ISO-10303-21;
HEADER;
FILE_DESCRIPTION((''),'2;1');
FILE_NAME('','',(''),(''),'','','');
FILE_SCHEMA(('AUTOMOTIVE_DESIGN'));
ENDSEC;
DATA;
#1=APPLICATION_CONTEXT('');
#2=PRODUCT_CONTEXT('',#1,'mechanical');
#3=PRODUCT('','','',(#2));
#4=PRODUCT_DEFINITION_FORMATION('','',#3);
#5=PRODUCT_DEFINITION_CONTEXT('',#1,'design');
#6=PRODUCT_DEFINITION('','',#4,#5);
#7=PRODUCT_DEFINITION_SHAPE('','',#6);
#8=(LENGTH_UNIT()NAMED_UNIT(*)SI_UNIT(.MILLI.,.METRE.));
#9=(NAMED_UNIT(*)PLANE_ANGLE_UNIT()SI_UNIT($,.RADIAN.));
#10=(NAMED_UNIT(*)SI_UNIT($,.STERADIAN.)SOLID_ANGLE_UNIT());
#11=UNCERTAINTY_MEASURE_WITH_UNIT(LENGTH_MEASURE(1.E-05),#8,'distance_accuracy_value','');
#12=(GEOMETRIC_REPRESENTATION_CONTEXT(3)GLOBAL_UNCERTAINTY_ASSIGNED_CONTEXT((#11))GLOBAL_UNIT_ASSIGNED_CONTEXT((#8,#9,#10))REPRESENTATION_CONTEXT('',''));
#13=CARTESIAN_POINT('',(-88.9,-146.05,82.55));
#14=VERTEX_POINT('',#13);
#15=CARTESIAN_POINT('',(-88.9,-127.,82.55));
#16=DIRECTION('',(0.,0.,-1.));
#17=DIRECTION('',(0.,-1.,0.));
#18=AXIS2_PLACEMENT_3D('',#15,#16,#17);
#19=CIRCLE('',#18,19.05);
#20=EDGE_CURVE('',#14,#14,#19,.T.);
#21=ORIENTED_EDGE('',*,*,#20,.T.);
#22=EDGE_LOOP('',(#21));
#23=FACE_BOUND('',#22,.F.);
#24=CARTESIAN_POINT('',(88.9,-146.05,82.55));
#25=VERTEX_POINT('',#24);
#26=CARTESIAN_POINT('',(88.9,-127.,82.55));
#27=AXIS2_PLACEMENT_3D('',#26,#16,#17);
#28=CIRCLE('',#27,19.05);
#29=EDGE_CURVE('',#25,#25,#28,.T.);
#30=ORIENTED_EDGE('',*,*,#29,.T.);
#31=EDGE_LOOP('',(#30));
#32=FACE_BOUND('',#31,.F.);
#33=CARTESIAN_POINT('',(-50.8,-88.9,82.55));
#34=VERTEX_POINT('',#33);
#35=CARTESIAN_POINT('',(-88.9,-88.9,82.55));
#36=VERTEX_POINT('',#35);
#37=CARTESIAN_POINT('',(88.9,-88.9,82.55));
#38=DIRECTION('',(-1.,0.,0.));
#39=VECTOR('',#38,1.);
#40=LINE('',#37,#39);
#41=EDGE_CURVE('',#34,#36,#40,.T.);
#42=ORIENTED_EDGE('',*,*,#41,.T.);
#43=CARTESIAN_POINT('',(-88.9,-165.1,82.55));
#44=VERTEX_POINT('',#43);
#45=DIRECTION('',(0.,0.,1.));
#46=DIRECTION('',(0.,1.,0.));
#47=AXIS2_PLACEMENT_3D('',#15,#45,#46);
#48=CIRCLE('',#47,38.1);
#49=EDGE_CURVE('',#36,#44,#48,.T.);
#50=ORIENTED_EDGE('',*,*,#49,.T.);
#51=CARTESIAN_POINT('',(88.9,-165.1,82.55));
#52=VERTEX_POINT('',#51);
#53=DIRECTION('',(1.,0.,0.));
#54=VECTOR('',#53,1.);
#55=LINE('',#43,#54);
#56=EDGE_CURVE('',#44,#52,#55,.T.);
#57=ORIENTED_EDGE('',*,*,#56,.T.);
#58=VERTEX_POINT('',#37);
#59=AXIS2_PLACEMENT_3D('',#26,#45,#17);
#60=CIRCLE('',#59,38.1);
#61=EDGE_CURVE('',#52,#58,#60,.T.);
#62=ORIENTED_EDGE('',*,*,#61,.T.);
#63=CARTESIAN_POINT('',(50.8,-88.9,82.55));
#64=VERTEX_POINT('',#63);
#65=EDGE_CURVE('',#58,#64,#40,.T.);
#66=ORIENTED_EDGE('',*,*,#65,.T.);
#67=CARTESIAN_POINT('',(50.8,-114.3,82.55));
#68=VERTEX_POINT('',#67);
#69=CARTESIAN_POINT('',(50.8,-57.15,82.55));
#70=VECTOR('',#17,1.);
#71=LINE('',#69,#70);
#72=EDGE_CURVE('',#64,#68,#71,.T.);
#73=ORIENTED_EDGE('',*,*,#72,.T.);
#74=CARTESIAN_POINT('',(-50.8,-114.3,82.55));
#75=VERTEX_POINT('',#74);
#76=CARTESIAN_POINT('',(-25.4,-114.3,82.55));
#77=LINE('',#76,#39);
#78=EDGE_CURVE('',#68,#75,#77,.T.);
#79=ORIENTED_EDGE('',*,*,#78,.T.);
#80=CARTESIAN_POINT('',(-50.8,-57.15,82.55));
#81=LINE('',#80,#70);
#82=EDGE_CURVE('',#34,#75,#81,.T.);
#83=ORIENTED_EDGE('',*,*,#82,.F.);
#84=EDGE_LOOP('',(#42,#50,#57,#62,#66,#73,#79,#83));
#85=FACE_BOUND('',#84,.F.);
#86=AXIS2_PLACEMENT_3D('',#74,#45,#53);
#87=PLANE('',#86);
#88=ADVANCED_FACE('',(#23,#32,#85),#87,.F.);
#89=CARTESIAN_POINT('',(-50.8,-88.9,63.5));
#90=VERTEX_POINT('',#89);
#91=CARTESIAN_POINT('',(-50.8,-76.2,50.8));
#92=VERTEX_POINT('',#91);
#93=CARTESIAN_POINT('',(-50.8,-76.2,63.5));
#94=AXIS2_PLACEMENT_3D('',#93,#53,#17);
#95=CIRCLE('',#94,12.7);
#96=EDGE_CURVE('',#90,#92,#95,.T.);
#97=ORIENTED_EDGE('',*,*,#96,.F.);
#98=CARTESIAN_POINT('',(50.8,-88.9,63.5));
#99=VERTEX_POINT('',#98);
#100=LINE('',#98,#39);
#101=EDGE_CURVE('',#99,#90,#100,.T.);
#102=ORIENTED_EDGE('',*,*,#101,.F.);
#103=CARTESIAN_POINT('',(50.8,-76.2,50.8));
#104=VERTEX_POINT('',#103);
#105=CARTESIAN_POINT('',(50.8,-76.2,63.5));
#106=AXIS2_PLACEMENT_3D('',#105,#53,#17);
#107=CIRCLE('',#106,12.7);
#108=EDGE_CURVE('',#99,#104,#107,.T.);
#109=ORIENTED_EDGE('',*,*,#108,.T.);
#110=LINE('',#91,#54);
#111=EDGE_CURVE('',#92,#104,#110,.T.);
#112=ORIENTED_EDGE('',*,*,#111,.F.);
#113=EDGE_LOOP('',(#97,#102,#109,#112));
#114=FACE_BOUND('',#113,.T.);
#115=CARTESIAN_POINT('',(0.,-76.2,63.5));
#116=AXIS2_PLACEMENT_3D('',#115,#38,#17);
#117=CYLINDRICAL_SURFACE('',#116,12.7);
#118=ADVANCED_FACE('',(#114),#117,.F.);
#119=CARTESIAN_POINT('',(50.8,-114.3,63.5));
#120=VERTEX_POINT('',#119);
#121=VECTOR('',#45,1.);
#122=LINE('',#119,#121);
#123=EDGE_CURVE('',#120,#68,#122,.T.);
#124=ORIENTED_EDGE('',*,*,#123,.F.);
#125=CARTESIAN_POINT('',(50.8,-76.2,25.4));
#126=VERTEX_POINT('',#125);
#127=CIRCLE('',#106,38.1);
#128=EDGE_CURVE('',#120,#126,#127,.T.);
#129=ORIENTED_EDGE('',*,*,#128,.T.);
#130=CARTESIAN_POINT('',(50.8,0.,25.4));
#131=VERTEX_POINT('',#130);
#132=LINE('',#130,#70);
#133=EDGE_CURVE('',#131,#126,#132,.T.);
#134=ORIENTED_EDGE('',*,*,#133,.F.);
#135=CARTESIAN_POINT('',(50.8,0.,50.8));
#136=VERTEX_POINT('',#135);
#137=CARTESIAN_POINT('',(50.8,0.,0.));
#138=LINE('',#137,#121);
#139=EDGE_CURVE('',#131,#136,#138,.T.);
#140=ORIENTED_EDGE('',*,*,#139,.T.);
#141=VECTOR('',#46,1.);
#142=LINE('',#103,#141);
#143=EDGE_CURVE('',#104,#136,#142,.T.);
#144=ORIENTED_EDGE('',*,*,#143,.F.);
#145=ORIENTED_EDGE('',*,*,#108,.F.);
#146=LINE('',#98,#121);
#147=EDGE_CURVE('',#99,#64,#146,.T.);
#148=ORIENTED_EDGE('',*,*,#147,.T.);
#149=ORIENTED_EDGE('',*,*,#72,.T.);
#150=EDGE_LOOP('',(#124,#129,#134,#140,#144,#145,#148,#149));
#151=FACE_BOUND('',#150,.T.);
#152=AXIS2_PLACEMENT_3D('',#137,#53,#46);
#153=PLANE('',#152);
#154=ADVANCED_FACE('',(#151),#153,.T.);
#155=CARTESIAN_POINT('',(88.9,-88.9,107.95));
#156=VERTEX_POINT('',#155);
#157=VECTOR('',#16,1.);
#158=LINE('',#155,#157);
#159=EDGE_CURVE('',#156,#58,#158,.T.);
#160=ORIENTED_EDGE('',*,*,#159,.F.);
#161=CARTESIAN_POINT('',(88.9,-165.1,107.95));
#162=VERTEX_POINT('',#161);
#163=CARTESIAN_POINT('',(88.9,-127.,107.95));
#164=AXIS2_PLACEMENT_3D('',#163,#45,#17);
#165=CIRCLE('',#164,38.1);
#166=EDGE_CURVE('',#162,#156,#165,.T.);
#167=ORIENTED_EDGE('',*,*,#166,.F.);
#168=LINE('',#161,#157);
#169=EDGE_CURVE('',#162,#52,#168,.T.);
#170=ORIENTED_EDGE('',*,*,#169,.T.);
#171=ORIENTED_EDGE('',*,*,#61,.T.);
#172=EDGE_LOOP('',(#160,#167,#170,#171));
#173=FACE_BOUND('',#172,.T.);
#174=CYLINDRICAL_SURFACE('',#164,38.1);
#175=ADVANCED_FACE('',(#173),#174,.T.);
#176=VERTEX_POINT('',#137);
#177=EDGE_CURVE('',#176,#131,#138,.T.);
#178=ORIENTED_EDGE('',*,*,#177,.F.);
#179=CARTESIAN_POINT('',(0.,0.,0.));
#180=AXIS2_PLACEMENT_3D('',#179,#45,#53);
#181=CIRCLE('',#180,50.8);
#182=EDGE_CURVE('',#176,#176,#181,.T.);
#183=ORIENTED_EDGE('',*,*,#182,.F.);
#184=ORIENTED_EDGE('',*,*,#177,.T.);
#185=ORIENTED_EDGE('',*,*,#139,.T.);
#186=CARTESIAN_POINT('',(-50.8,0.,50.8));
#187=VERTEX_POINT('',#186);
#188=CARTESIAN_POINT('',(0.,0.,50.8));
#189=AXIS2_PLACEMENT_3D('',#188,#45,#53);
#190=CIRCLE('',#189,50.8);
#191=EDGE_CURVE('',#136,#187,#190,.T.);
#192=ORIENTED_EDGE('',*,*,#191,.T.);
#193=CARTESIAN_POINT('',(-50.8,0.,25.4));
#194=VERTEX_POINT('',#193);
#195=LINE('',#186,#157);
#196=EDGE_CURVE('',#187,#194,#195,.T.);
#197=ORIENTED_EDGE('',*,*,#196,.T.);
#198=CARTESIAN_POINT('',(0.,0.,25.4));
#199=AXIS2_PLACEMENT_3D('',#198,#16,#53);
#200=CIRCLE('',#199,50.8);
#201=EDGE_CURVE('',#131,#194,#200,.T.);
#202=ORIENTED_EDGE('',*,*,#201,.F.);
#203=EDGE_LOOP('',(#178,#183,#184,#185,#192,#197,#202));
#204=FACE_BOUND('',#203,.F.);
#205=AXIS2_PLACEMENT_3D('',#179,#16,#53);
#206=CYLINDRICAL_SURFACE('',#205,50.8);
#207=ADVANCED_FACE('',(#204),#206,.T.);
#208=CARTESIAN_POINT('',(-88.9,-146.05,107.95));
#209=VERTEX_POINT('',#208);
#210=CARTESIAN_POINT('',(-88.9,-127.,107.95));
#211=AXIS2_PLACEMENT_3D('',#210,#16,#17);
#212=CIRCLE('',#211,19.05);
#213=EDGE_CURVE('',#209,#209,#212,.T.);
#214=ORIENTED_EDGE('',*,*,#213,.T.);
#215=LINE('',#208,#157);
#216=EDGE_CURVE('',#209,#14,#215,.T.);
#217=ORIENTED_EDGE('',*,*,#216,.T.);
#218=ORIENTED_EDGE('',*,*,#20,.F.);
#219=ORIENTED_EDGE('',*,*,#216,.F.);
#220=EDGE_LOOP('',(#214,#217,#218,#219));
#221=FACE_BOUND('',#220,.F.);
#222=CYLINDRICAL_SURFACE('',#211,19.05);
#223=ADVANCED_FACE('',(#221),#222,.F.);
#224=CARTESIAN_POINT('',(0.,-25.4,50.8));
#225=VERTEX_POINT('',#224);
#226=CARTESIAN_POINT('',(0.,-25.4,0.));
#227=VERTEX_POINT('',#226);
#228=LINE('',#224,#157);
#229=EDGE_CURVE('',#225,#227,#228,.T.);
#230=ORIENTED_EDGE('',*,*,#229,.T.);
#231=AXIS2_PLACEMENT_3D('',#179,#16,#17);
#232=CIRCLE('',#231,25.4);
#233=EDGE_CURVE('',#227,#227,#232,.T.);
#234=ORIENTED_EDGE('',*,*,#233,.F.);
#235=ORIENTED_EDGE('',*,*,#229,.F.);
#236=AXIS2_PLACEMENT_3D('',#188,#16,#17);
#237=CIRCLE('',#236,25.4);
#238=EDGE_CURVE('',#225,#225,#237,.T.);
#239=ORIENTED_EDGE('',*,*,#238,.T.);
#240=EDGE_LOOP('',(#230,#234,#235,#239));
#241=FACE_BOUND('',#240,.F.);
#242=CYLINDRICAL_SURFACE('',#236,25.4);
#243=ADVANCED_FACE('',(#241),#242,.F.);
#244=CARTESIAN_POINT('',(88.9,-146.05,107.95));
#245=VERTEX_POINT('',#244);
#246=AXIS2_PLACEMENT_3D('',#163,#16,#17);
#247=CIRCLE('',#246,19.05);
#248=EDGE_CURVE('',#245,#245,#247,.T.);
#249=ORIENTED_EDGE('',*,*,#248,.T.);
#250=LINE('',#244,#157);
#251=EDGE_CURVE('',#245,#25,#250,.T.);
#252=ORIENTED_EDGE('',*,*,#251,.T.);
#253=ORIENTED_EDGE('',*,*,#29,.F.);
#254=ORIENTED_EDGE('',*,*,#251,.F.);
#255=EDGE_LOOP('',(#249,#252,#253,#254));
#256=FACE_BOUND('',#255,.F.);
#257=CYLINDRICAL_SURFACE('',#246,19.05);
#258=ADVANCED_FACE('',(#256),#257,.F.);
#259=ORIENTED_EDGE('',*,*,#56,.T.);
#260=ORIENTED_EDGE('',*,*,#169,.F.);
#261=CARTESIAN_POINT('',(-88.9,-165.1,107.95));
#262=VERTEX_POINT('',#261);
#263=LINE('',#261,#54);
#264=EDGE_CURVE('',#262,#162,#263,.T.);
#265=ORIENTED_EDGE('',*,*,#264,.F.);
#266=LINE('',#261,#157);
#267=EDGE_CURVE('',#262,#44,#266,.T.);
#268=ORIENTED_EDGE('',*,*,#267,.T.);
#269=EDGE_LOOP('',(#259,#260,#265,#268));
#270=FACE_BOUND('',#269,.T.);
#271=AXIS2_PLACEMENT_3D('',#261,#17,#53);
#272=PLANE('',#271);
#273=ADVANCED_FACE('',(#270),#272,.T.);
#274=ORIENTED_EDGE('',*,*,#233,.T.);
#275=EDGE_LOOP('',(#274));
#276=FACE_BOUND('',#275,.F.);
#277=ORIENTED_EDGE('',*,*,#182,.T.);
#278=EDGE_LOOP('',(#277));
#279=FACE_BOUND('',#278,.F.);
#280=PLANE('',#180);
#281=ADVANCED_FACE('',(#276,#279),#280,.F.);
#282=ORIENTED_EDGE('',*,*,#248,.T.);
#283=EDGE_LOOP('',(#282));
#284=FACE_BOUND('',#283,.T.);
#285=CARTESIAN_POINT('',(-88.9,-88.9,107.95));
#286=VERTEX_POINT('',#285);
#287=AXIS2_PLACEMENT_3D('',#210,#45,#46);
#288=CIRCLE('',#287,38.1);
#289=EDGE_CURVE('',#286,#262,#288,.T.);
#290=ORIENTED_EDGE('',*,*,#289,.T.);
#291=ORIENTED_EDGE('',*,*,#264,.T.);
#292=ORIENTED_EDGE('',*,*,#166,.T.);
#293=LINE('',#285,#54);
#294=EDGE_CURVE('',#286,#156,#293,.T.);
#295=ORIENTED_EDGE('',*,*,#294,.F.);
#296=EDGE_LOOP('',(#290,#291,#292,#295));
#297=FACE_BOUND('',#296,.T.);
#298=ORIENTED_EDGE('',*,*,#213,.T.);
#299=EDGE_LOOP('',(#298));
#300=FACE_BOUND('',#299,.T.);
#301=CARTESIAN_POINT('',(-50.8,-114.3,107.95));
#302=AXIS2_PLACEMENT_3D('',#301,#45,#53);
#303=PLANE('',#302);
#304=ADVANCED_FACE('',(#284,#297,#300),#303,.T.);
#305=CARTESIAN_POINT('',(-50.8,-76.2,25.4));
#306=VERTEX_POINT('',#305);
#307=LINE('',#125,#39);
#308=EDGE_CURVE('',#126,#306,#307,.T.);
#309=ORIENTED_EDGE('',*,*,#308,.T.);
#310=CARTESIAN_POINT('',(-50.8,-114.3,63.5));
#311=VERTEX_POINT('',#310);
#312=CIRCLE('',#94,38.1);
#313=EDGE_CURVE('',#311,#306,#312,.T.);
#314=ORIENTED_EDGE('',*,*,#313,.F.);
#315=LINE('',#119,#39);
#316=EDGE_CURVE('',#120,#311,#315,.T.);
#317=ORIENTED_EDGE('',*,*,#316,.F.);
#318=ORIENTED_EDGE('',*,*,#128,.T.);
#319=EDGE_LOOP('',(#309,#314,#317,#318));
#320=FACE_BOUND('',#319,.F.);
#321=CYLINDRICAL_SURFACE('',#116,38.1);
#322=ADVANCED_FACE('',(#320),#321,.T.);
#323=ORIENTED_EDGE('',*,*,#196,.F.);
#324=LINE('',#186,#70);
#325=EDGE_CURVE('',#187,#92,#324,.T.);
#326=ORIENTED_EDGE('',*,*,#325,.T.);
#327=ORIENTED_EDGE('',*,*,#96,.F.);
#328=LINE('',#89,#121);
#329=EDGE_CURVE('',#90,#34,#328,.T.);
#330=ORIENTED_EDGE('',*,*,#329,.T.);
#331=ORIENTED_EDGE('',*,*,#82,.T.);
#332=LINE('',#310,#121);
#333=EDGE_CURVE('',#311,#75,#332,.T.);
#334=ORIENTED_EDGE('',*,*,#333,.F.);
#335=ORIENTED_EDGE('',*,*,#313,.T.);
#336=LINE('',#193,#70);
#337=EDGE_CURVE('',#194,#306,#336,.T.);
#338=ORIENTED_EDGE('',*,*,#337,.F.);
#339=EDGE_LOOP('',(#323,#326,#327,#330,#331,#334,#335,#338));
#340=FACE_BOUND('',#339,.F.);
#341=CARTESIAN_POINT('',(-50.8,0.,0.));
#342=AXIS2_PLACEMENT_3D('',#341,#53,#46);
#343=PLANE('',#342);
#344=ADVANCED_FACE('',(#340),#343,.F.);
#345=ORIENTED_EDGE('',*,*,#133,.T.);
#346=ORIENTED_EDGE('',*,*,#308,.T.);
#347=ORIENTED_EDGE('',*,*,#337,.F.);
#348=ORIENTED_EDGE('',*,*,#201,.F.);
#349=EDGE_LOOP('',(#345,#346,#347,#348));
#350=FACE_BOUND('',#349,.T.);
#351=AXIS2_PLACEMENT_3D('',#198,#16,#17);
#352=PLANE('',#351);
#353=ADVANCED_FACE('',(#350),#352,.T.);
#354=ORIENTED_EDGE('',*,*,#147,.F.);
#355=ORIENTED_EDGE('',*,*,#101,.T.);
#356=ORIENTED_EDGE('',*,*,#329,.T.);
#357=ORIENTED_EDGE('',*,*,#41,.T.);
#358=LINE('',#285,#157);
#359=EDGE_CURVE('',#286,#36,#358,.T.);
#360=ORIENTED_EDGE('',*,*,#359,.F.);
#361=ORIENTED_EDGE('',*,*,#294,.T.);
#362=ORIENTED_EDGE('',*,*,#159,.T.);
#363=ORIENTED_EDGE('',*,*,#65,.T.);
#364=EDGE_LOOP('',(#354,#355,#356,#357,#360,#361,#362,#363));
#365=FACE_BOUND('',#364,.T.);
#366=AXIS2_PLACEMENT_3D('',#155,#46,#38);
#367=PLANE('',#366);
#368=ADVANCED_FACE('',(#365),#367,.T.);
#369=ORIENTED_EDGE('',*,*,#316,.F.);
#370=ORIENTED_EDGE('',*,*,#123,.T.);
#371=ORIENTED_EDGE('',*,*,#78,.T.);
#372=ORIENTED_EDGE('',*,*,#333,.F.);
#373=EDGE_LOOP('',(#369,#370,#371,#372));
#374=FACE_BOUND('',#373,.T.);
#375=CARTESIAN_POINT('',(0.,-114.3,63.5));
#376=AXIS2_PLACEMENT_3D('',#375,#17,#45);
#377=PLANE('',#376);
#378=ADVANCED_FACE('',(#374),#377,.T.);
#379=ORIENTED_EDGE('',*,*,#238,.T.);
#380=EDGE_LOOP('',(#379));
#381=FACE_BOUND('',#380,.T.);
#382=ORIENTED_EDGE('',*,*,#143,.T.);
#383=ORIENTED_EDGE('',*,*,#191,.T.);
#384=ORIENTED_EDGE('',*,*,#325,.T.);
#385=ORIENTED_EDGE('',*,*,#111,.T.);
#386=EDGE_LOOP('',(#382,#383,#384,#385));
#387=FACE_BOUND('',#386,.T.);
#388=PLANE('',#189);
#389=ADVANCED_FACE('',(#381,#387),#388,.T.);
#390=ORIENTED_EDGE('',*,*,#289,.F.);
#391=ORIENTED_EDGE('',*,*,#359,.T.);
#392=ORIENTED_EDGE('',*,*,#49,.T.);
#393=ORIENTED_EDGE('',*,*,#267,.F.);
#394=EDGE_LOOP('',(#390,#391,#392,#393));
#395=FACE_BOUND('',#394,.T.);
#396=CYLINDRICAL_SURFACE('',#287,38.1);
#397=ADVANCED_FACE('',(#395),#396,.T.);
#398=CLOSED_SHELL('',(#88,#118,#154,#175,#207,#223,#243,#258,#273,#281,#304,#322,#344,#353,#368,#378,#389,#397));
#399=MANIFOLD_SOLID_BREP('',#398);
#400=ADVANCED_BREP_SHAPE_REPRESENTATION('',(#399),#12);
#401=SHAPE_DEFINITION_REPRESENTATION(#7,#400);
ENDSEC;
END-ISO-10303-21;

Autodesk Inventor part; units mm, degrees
ref_plane "YZ Plane" through (0, 0, 0) normal (1, 0, 0) x (0, 1, 0)
ref_plane "XZ Plane" through (0, 0, 0) normal (0, 1, 0) x (-1, 0, 0)
ref_plane "XY Plane" through (0, 0, 0) normal (0, 0, 1) x (1, 0, 0)
sketch "Sketch1" plane through (0, 0, 0) normal (0, 0, 1) x (1, 0, 0)
  circle A0 centre (0, 0) radius 50.8
  dimension "d0" = 101.6
extrude "Extrusion1" add sketch "Sketch1" along normal blind 50.8
sketch "Sketch2" plane through (0, 0, 0) normal (1, 0, 0) x (0, 1, 0)
  line L0 (50.8, 50.8) -> (-50.8, 50.8) projected
  line L1 (0, 50.8) -> (-76.2, 50.8)
  arc A0 (-88.9, 63.5) -> (-76.2, 50.8) centre (-76.2, 63.5) ccw
  line L2 (-88.9, 63.5) -> (-88.9, 107.95)
  line L3 (0, 25.4) -> (-76.2, 25.4)
  arc A1 (-114.3, 63.5) -> (-76.2, 25.4) centre (-76.2, 63.5) ccw
  line L4 (-114.3, 63.5) -> (-114.3, 107.95)
  line L5 (-88.9, 107.95) -> (-114.3, 107.95)
  line L6 (-114.3, 107.95) -> (-127, 107.95) construction
  line L7 (0, 50.8) -> (0, 25.4)
  point P0 (0, 0)
  dimension "d3" = 57.15
  dimension "d4" = 12.7
  dimension "d5" = 25.4
  dimension "d6" = 38.1
  dimension "d7" = 127
extrude "Extrusion2" add sketch "Sketch2" along normal mid plane 101.6
sketch "Sketch3" plane through (-50.8, -114.3, 107.95) normal (0, 0, 1) x (1, 0, 0)
  line L0 (-38.1, -12.7) -> (139.7, -12.7) construction
  line L1 (0, 0) -> (101.6, 0) projected
  line L2 (-38.1, -50.8) -> (139.7, -50.8)
  line L3 (139.7, 25.4) -> (-38.1, 25.4)
  arc A0 (-38.1, 25.4) -> (-38.1, -50.8) centre (-38.1, -12.7) ccw
  arc A1 (139.7, -50.8) -> (139.7, 25.4) centre (139.7, -12.7) ccw
  line L4 (50.8, 114.3) -> (50.8, -12.7) construction
  dimension "d10" = 38.1
  dimension "d11" = 177.8
  dimension "d12" = 127
extrude "Extrusion3" add sketch "Sketch3" against normal blind 25.4
hole "Hole1" at (-88.9, -127, 107.95) at (88.9, -127, 107.95) direction (0, 0, -1) diameter 38.1 end through all
sketch "Sketch4" plane through (0, 0, 50.8) normal (0, 0, 1) x (1, 0, 0)
  arc A0 (50.8, 0) -> (-50.8, 0) centre (0, 0) ccw projected
hole "Hole2" at (0, 0, 50.8) direction (0, 0, -1) diameter 50.8 end through all
properties part number "SupportFixture"
